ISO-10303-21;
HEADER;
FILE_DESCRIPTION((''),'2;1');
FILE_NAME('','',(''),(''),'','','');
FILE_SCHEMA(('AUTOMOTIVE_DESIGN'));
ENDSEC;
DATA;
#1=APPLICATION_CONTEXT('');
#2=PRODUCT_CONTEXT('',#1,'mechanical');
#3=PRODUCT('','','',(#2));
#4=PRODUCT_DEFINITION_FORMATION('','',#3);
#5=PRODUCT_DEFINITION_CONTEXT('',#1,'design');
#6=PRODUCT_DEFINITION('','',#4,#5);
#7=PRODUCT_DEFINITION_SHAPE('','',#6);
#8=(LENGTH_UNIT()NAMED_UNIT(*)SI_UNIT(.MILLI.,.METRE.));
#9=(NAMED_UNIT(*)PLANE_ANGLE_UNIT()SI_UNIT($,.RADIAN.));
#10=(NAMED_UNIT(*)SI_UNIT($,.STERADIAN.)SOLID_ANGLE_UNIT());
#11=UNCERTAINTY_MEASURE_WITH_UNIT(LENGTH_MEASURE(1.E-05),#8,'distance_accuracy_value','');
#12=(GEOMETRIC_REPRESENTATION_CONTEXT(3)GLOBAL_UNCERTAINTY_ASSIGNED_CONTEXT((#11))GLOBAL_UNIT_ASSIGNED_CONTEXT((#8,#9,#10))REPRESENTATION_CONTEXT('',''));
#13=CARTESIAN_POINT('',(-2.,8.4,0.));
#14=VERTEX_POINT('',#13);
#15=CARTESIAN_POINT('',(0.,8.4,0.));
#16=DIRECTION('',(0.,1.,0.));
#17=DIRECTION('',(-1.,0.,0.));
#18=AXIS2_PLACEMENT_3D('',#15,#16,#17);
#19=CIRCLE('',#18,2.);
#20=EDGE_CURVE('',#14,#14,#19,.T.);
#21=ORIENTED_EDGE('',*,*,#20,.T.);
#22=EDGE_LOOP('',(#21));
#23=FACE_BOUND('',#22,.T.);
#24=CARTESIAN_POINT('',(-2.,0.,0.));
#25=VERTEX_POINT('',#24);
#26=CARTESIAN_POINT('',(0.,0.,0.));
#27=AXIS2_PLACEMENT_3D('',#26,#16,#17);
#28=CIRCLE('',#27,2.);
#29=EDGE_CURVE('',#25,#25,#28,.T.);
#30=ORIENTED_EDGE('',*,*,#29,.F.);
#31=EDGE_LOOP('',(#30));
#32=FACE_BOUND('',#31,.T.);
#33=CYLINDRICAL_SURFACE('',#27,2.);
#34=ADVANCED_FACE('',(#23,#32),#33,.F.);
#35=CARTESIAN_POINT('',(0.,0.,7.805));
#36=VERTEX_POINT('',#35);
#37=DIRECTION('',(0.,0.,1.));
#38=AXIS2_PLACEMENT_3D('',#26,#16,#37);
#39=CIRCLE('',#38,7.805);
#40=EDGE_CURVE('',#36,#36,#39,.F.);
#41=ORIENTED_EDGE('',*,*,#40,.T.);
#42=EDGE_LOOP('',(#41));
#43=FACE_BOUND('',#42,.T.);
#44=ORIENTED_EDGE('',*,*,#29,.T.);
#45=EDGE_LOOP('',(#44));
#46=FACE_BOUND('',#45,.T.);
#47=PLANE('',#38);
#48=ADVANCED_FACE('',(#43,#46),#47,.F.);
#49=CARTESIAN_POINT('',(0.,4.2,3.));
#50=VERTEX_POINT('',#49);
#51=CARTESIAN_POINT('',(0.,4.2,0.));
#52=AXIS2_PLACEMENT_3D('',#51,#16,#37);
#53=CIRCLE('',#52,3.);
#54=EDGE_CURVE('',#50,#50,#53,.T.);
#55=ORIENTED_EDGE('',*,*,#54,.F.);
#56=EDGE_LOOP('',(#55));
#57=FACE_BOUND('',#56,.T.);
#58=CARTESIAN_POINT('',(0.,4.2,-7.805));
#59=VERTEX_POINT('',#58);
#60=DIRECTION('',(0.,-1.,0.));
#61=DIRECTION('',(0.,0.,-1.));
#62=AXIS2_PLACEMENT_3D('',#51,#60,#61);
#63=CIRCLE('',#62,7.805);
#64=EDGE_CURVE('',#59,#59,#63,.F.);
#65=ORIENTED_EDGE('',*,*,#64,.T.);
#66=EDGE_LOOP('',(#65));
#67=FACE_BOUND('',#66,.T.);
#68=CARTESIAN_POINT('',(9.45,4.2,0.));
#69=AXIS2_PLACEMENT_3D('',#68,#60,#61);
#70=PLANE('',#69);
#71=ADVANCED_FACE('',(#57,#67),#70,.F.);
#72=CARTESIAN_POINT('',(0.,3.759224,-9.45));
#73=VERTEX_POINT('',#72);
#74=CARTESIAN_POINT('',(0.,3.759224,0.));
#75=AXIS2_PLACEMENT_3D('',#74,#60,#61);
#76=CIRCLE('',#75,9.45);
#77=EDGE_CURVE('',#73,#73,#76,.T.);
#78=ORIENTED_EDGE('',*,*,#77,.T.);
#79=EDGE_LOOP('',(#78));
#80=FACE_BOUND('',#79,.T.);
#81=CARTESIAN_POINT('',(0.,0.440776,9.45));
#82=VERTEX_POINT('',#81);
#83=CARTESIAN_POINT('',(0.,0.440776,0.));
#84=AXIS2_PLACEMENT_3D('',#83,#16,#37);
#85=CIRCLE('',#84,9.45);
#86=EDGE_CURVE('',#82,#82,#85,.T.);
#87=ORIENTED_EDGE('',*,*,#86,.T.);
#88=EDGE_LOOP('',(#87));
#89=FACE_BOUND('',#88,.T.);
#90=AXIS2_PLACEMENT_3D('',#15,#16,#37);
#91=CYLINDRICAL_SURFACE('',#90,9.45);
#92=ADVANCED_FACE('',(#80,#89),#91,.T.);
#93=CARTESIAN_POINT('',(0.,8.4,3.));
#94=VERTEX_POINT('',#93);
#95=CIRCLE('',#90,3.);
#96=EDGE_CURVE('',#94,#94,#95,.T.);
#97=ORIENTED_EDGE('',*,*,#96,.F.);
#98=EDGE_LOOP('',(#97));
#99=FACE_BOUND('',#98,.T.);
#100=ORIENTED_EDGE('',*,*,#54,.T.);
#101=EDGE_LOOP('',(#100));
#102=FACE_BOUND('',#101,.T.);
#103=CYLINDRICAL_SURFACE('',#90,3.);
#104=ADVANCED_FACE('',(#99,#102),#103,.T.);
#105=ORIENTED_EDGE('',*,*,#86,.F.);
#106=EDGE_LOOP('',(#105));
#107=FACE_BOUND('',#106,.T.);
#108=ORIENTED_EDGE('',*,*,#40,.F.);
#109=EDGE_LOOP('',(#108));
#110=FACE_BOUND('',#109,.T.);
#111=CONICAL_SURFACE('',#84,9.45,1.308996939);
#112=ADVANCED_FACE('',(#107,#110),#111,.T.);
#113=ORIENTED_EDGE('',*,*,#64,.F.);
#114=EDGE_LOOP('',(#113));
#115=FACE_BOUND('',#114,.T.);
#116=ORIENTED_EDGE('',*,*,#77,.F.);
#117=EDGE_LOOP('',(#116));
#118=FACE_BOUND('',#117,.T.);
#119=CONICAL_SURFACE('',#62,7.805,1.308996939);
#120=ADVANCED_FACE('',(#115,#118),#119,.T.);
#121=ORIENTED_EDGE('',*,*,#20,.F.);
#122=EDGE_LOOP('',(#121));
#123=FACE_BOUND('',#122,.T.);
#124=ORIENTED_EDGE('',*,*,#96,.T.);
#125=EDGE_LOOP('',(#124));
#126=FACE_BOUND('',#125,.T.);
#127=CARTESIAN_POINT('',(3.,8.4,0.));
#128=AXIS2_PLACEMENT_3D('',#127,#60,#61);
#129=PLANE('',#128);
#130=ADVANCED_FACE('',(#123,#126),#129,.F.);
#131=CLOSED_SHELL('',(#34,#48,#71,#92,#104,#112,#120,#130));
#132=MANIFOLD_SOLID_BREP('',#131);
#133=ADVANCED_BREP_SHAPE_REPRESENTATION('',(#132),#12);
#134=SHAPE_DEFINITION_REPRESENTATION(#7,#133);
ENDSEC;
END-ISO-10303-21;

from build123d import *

# Parameters (mm, degrees)
CHAMFER_2_SIZE           = 1.645
CHAMFER_2_SIZE2          = 0.440776422
CHAMFER_3_SIZE           = 1.645
CHAMFER_3_SIZE2          = 0.440776422
SKETCH_4_R               = 2
CUT_EXTRUDE_2_DEPTH      = 1
CUT_EXTRUDE_2_DEPTH_BACK = 9.4


with BuildPart() as part:
    # Эскиз2 → Повернуть2 (revolve)
    with BuildSketch(Plane.XY):
        Polygon((0, 0), (9.45, 0), (9.45, 4.2), (3, 4.2), (3, 8.4), (0, 8.4), align=None)
    revolve(axis=Axis((0, 8.4, 0), (0, -1, 0)))

    # Фаска2
    chamfer_2_edges = [part.edges().sort_by_distance(p)[0] for p in [
        (-9.45, 4.2, 0),
    ]]
    chamfer_2_side = [part.faces().sort_by_distance(p)[0] for p in [
        (-9.182713637, 4.2, 0),
    ]]
    chamfer(chamfer_2_edges, length=CHAMFER_2_SIZE, length2=CHAMFER_2_SIZE2, reference=chamfer_2_side[0])

    # Фаска3
    chamfer_3_edges = [part.edges().sort_by_distance(p)[0] for p in [
        (-9.45, 0, 0),
    ]]
    chamfer_3_side = [part.faces().sort_by_distance(p)[0] for p in [
        (0, 0, 0),
    ]]
    chamfer(chamfer_3_edges, length=CHAMFER_3_SIZE, length2=CHAMFER_3_SIZE2, reference=chamfer_3_side[0])

    # Эскиз4 → Вырез-Вытянуть2 (cut, two sides)
    with BuildSketch(Plane(origin=(0, 8.4, 0), x_dir=(1, 0, 0), z_dir=(0, 1, 0))) as cut_extrude_2_sk:
        Circle(SKETCH_4_R)
    extrude(amount=CUT_EXTRUDE_2_DEPTH, mode=Mode.SUBTRACT)
    extrude(cut_extrude_2_sk.sketch, amount=-CUT_EXTRUDE_2_DEPTH_BACK, mode=Mode.SUBTRACT)


solid = part.part
